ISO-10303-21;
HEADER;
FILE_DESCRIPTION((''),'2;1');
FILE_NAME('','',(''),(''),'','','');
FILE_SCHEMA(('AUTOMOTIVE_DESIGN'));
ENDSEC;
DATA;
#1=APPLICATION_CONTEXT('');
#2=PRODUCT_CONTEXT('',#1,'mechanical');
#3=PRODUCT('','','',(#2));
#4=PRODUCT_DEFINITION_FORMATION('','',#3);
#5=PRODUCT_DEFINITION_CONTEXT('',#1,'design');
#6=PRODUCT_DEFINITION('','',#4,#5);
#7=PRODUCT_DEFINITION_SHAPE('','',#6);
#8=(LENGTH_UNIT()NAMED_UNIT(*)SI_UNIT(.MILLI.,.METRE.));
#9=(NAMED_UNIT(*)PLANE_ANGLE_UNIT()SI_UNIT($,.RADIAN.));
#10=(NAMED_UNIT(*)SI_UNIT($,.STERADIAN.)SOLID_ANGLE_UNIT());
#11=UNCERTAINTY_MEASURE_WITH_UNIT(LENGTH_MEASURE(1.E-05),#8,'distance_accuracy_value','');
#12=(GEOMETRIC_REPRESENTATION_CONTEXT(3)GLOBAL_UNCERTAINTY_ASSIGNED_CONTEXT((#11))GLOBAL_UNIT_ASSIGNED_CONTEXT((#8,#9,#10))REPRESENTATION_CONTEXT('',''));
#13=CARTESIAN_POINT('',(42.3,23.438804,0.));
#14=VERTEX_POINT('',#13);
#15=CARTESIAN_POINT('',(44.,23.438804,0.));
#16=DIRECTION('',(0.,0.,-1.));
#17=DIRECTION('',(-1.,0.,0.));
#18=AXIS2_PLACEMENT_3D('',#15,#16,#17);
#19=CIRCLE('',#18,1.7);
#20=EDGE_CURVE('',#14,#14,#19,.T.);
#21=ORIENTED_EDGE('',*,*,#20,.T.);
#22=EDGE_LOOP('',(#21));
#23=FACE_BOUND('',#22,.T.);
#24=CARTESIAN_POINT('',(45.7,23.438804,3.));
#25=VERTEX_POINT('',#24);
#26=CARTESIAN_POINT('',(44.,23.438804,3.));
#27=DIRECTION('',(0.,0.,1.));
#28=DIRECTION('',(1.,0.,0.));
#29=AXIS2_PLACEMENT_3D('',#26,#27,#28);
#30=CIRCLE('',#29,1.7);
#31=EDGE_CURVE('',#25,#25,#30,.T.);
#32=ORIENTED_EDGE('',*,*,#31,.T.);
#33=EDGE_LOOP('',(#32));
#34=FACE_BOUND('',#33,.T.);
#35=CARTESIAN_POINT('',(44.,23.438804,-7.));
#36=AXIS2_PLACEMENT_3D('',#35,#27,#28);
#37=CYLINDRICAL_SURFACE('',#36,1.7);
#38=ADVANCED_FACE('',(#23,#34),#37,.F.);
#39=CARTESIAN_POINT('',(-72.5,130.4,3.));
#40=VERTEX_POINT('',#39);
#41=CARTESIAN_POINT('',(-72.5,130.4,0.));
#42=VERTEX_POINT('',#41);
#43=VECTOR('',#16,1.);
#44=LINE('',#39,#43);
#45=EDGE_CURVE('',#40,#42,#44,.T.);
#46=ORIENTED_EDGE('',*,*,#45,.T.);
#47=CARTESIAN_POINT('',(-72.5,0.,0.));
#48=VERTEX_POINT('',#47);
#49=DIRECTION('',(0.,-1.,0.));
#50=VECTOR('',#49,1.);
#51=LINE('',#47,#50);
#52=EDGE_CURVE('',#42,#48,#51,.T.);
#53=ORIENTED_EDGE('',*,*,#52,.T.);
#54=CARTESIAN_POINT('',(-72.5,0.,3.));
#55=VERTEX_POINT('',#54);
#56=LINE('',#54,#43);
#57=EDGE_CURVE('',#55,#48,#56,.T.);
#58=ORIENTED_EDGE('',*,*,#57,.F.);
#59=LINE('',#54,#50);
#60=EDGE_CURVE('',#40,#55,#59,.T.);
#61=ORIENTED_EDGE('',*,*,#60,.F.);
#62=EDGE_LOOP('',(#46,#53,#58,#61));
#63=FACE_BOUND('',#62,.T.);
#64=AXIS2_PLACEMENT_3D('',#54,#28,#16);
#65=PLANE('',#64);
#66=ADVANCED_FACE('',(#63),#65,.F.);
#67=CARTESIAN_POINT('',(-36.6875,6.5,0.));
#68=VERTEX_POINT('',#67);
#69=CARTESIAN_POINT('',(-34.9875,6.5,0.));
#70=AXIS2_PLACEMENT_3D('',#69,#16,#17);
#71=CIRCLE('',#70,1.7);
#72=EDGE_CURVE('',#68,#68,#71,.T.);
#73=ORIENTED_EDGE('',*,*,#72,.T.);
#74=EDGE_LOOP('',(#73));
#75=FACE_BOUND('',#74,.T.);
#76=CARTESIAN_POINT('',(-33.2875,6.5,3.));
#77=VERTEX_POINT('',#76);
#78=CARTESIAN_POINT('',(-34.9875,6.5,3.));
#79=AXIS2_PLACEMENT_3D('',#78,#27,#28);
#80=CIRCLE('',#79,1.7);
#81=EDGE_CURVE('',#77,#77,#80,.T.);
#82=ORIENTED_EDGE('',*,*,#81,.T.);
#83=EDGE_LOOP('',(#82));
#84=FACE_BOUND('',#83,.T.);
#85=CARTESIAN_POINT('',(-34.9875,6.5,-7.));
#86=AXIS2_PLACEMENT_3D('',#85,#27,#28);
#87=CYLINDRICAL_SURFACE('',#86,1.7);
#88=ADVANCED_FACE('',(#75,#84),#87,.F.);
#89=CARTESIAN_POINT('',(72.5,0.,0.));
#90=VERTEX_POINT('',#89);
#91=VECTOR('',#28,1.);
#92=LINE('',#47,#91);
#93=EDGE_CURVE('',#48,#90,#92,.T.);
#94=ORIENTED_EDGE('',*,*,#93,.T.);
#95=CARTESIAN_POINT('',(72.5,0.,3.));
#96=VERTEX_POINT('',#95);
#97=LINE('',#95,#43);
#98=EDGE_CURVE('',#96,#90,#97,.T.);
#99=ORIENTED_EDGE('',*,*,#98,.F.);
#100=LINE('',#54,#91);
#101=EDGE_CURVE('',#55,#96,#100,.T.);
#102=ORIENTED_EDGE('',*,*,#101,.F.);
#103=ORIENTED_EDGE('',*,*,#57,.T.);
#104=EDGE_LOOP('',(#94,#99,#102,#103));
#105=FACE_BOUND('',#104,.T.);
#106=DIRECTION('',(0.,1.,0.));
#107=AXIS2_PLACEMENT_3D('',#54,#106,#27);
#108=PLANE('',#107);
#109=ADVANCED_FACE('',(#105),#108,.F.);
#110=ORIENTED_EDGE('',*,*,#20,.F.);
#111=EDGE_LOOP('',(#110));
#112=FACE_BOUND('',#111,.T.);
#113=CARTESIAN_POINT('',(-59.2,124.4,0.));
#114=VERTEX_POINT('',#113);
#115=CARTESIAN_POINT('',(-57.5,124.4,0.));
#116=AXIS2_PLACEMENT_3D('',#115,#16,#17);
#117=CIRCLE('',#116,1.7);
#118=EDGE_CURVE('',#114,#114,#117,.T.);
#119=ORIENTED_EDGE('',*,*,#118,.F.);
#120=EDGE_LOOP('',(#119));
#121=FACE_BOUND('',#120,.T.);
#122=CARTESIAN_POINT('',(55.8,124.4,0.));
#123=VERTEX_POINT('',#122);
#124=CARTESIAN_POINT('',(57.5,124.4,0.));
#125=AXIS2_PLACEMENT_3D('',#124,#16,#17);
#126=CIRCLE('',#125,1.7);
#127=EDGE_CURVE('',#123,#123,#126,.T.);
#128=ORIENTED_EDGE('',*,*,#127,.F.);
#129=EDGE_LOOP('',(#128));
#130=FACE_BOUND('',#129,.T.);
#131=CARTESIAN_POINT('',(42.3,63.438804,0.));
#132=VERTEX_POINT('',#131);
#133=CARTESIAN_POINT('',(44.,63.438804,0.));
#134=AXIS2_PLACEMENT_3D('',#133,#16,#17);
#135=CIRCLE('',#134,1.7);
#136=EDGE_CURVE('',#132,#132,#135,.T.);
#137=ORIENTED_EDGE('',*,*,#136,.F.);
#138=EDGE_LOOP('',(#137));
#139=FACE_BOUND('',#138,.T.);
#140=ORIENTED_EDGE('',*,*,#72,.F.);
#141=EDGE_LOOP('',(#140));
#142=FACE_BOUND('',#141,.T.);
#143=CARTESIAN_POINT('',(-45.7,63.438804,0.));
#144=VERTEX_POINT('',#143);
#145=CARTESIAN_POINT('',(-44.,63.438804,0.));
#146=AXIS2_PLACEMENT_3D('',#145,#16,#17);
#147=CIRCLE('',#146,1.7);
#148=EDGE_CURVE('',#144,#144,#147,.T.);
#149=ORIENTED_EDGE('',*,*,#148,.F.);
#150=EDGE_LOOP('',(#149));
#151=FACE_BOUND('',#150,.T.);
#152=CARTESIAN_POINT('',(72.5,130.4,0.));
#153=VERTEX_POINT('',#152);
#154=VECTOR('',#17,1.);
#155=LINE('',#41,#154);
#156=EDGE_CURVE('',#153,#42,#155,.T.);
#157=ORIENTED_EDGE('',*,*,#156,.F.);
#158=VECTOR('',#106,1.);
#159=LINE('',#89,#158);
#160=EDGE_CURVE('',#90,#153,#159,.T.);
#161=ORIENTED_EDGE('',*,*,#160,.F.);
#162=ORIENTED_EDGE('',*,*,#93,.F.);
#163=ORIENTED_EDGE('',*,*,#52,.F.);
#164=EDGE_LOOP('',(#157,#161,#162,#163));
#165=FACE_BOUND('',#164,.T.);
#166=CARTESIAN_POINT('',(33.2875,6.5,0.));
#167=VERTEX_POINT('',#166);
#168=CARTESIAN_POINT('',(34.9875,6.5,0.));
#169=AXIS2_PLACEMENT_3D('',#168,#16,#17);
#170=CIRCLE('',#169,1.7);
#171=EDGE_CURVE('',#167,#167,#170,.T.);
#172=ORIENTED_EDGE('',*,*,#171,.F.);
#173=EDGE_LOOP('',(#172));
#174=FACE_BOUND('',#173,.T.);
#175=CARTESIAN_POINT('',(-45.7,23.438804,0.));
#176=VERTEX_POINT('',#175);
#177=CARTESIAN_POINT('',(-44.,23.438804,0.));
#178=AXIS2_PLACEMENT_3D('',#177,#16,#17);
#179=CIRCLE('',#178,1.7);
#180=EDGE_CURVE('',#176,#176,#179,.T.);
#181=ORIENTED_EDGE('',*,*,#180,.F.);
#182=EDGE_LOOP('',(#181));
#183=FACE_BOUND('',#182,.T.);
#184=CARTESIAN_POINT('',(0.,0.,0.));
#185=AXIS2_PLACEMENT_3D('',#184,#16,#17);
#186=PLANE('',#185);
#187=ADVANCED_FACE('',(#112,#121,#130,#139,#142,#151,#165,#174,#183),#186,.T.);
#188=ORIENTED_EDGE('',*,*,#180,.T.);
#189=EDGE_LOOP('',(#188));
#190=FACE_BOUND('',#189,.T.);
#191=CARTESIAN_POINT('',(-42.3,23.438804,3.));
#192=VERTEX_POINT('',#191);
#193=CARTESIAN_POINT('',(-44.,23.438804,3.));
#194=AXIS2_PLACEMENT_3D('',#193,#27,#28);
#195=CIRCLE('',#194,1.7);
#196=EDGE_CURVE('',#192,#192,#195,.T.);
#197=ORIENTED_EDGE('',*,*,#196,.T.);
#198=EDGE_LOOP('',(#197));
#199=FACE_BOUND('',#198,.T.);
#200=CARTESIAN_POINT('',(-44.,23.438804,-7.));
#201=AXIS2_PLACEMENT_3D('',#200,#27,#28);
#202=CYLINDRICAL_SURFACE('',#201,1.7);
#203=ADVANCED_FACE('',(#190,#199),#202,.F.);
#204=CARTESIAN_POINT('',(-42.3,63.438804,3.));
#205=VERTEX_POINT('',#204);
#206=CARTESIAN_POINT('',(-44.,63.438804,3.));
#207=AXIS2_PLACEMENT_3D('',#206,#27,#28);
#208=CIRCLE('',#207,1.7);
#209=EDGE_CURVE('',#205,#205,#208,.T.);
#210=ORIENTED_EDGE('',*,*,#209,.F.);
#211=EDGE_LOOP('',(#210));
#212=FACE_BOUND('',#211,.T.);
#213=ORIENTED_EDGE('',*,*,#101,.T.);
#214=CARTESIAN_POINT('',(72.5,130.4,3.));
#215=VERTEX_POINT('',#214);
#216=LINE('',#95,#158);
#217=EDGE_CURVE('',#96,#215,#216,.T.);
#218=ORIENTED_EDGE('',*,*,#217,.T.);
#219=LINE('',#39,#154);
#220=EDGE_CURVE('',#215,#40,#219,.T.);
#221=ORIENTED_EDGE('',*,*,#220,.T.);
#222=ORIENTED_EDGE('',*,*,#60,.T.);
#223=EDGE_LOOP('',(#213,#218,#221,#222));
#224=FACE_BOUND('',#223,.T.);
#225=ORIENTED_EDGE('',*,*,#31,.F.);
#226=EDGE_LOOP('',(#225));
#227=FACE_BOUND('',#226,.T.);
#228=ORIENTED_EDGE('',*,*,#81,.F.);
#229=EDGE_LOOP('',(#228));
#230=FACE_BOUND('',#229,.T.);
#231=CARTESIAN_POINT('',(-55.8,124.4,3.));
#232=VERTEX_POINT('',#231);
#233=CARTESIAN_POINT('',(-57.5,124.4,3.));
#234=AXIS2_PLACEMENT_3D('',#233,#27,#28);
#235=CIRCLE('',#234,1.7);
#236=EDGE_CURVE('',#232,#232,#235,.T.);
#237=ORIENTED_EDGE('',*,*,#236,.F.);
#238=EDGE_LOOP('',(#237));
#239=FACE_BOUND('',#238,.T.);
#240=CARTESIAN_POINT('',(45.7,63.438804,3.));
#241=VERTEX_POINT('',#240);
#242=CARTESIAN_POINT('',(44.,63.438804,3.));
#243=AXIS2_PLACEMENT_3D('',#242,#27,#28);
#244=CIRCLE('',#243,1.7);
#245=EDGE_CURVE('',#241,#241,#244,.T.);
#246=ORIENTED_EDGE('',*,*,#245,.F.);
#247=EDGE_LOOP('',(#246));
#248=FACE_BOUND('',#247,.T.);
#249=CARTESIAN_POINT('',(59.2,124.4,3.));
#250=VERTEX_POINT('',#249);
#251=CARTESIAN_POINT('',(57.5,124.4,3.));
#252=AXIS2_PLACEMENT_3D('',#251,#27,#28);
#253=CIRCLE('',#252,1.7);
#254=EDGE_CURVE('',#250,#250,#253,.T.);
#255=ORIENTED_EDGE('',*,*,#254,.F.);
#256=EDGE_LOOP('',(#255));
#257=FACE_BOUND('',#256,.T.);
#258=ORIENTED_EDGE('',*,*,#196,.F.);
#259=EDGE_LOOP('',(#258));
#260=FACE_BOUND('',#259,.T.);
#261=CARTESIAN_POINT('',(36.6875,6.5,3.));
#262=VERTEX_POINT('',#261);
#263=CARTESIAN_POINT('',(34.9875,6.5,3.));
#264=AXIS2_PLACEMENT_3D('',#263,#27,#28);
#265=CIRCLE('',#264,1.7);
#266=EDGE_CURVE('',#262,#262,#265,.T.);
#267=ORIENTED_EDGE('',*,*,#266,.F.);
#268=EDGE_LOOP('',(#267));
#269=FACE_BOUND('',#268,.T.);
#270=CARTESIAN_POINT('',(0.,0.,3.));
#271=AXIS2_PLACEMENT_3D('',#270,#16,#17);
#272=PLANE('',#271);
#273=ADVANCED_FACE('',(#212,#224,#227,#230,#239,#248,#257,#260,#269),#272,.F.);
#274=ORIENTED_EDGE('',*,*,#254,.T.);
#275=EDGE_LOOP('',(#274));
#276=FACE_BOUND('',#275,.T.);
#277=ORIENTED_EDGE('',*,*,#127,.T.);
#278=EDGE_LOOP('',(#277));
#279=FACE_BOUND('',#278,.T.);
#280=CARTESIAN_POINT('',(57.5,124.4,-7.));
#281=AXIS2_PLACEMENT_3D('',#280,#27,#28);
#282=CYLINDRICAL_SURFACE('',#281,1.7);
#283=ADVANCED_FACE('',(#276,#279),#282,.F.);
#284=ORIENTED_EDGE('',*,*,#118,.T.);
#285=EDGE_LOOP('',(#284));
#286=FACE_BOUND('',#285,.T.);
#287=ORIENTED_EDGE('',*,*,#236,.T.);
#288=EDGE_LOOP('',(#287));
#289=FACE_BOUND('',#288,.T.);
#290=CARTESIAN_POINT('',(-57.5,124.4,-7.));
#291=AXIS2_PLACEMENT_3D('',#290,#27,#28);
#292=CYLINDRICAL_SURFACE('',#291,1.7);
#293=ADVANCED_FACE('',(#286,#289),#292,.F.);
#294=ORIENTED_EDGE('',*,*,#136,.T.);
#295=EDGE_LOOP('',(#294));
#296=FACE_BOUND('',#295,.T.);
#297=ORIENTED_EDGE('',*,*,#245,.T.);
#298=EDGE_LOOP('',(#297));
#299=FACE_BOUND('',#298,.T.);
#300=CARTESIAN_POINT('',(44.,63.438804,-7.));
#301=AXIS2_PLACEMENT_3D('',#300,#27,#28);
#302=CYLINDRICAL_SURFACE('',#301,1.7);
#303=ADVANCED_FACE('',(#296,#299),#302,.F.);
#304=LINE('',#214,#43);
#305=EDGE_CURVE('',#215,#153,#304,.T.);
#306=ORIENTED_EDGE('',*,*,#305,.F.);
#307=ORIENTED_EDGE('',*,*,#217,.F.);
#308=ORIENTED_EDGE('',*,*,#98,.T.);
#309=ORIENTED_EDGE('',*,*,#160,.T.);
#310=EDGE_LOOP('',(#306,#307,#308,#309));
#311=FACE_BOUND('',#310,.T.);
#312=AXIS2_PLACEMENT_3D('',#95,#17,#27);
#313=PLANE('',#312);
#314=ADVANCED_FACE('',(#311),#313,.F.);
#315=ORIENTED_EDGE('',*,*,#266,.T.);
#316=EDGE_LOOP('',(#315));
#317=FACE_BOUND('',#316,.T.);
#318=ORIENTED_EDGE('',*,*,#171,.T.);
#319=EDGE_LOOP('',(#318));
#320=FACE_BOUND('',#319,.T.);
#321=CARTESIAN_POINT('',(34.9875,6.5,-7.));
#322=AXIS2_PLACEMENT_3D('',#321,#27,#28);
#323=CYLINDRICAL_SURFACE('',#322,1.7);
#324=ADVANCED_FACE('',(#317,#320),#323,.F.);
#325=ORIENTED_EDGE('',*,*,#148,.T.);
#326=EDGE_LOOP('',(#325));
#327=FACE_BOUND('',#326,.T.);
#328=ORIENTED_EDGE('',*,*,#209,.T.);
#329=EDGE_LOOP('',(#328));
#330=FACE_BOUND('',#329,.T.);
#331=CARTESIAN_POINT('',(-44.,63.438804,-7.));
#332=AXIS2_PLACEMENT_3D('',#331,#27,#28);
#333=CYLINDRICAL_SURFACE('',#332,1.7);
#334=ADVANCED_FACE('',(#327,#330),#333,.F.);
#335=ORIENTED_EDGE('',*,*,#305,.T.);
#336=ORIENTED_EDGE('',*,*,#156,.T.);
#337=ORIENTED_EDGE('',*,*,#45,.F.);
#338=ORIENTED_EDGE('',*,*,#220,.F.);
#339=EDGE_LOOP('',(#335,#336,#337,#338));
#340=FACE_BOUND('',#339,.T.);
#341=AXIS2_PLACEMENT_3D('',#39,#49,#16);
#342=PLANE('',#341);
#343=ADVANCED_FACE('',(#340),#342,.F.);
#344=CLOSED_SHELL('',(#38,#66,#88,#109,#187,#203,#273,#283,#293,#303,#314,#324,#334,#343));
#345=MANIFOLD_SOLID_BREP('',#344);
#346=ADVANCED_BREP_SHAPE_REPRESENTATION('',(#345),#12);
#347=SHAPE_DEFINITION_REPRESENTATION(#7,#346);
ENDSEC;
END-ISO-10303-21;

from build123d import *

# Parameters (mm, degrees)
SKETCH1_W             = 145
SKETCH1_H             = 130.4
BOSS_EXTRUDE1_DEPTH   = 3
SKETCH3_R             = 1.7
DEPENDENT_HOLES_DEPTH = 10


with BuildPart() as part:
    # Sketch1 → Boss-Extrude1 (new body)
    with BuildSketch(Plane.XY):
        with Locations((0, 65.2)):
            Rectangle(SKETCH1_W, SKETCH1_H)
    extrude(amount=BOSS_EXTRUDE1_DEPTH)

    # Sketch3 → dependent_holes (cut)
    with BuildSketch(Plane.XY.offset(3)):
        with Locations((-57.5, 124.4)):
            Circle(SKETCH3_R)
        with Locations((57.5, 124.4)):
            Circle(SKETCH3_R)
        with Locations((-44, 63.438804225)):
            Circle(SKETCH3_R)
        with Locations((-44, 23.438804225)):
            Circle(SKETCH3_R)
        with Locations((44, 23.438804225)):
            Circle(SKETCH3_R)
        with Locations((44, 63.438804225)):
            Circle(SKETCH3_R)
        with Locations((-34.9875, 6.5)):
            Circle(SKETCH3_R)
        with Locations((34.9875, 6.5)):
            Circle(SKETCH3_R)
    extrude(amount=-DEPENDENT_HOLES_DEPTH, mode=Mode.SUBTRACT)


solid = part.part
